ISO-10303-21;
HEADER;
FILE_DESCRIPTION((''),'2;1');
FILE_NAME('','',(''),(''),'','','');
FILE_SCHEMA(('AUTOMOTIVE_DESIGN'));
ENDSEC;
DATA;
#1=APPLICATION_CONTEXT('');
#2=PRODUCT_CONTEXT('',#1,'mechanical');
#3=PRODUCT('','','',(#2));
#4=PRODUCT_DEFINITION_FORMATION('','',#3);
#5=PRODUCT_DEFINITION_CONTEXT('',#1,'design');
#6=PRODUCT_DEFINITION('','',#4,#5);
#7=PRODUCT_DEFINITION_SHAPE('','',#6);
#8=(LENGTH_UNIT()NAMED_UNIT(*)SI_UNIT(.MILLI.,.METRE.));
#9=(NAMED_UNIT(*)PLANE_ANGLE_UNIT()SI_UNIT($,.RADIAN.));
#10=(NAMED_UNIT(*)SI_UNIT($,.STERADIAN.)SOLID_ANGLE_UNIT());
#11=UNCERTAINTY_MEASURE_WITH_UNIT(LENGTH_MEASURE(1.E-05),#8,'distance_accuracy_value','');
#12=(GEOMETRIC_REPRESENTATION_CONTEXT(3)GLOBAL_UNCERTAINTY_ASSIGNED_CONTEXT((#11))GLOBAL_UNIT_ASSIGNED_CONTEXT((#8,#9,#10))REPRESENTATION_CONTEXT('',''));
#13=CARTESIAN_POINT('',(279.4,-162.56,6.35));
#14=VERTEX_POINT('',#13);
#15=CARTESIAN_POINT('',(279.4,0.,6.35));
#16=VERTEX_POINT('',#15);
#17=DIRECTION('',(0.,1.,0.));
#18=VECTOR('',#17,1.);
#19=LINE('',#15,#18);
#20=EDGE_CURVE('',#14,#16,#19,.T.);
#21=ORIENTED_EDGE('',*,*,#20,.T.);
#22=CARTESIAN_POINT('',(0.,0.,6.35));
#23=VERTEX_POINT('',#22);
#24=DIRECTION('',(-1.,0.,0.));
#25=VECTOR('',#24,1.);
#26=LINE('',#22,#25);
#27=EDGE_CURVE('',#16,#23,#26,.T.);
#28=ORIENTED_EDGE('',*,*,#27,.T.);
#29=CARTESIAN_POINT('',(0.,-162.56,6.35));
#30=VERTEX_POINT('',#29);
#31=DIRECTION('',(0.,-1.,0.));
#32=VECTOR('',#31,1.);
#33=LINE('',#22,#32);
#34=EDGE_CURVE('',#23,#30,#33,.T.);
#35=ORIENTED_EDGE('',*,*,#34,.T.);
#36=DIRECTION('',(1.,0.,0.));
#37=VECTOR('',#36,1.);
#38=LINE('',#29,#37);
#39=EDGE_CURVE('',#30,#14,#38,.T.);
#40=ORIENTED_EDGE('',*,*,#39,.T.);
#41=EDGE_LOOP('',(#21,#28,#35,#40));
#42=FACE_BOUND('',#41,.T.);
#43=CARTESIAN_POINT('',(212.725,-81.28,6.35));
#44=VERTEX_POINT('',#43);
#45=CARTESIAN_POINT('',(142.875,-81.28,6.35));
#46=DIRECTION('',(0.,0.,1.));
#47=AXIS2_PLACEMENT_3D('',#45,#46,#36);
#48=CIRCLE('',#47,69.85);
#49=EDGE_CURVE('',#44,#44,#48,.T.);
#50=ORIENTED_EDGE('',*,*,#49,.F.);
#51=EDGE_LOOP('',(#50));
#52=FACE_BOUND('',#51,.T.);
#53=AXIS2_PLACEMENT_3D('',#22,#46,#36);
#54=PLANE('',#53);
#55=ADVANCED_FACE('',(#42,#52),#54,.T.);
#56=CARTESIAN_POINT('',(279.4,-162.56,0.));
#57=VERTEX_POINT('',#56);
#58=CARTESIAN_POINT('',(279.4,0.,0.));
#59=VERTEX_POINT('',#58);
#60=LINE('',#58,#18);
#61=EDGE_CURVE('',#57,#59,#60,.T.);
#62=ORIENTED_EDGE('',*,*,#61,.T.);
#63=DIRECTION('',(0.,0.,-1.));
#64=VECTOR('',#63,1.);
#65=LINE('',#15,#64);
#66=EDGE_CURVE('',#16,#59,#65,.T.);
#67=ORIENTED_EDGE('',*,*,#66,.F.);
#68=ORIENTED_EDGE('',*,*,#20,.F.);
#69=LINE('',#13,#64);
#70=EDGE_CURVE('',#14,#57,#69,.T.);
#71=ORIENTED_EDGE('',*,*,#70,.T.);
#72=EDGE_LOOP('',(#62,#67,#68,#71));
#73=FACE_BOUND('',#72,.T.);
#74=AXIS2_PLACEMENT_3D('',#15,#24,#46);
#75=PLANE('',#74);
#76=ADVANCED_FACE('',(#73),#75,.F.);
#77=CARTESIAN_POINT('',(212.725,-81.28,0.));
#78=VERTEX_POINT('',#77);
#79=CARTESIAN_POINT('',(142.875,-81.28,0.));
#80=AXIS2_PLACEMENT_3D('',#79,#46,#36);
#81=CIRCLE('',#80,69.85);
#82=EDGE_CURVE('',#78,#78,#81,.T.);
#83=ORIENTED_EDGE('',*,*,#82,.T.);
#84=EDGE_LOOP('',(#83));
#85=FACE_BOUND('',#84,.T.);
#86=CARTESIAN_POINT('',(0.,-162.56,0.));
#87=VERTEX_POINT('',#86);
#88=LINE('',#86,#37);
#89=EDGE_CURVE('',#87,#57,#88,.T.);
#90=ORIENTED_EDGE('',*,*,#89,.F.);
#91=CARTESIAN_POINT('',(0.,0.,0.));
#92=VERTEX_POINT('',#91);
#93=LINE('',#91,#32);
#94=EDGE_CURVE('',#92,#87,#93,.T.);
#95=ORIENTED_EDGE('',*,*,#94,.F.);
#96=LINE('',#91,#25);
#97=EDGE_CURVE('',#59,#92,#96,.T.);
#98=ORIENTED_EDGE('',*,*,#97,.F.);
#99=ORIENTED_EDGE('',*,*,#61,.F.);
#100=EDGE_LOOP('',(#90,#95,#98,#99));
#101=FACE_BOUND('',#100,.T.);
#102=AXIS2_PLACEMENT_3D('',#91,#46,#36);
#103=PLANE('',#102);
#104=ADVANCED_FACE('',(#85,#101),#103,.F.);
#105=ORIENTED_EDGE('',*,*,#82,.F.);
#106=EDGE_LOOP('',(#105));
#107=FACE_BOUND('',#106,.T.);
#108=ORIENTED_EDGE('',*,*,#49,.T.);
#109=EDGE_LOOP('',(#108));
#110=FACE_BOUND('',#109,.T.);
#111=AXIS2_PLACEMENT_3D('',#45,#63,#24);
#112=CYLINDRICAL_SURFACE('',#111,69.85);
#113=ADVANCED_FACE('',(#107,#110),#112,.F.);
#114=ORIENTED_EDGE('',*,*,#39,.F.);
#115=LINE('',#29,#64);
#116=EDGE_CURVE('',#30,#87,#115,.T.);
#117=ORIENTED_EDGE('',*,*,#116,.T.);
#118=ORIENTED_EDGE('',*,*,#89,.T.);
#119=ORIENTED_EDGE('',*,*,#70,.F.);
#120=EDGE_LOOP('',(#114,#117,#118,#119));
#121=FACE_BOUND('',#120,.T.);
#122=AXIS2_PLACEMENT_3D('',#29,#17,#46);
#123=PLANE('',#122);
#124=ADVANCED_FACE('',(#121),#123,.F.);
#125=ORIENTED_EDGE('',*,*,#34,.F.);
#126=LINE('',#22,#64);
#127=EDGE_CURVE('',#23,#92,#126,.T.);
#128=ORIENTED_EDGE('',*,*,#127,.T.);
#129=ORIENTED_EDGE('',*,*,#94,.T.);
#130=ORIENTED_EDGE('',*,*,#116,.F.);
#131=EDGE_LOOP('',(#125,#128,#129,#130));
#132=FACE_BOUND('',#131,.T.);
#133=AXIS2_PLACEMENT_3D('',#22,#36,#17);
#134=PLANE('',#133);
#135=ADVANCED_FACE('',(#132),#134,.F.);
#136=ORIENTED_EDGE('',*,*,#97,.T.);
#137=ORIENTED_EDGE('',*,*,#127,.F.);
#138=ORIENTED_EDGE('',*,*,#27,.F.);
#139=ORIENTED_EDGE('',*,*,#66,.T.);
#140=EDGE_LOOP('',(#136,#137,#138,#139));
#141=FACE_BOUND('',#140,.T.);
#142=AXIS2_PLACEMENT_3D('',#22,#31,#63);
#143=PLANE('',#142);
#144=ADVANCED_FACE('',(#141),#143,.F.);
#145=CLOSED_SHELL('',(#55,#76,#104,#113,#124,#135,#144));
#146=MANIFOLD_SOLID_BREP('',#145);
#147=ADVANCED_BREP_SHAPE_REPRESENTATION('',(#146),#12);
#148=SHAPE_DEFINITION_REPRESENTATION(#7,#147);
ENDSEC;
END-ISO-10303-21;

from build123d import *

# Parameters (mm, degrees)
SKETCH1_W           = 279.4
SKETCH1_H           = 162.56
SKETCH1_R           = 69.85
BOSS_EXTRUDE1_DEPTH = 6.35


with BuildPart() as part:
    # Sketch1 → Boss-Extrude1 (new body)
    with BuildSketch(Plane.XY):
        with Locations((139.7, -81.28)):
            Rectangle(SKETCH1_W, SKETCH1_H)
        with Locations((142.875, -81.28)):
            Circle(SKETCH1_R, mode=Mode.SUBTRACT)
    extrude(amount=BOSS_EXTRUDE1_DEPTH)


solid = part.part
